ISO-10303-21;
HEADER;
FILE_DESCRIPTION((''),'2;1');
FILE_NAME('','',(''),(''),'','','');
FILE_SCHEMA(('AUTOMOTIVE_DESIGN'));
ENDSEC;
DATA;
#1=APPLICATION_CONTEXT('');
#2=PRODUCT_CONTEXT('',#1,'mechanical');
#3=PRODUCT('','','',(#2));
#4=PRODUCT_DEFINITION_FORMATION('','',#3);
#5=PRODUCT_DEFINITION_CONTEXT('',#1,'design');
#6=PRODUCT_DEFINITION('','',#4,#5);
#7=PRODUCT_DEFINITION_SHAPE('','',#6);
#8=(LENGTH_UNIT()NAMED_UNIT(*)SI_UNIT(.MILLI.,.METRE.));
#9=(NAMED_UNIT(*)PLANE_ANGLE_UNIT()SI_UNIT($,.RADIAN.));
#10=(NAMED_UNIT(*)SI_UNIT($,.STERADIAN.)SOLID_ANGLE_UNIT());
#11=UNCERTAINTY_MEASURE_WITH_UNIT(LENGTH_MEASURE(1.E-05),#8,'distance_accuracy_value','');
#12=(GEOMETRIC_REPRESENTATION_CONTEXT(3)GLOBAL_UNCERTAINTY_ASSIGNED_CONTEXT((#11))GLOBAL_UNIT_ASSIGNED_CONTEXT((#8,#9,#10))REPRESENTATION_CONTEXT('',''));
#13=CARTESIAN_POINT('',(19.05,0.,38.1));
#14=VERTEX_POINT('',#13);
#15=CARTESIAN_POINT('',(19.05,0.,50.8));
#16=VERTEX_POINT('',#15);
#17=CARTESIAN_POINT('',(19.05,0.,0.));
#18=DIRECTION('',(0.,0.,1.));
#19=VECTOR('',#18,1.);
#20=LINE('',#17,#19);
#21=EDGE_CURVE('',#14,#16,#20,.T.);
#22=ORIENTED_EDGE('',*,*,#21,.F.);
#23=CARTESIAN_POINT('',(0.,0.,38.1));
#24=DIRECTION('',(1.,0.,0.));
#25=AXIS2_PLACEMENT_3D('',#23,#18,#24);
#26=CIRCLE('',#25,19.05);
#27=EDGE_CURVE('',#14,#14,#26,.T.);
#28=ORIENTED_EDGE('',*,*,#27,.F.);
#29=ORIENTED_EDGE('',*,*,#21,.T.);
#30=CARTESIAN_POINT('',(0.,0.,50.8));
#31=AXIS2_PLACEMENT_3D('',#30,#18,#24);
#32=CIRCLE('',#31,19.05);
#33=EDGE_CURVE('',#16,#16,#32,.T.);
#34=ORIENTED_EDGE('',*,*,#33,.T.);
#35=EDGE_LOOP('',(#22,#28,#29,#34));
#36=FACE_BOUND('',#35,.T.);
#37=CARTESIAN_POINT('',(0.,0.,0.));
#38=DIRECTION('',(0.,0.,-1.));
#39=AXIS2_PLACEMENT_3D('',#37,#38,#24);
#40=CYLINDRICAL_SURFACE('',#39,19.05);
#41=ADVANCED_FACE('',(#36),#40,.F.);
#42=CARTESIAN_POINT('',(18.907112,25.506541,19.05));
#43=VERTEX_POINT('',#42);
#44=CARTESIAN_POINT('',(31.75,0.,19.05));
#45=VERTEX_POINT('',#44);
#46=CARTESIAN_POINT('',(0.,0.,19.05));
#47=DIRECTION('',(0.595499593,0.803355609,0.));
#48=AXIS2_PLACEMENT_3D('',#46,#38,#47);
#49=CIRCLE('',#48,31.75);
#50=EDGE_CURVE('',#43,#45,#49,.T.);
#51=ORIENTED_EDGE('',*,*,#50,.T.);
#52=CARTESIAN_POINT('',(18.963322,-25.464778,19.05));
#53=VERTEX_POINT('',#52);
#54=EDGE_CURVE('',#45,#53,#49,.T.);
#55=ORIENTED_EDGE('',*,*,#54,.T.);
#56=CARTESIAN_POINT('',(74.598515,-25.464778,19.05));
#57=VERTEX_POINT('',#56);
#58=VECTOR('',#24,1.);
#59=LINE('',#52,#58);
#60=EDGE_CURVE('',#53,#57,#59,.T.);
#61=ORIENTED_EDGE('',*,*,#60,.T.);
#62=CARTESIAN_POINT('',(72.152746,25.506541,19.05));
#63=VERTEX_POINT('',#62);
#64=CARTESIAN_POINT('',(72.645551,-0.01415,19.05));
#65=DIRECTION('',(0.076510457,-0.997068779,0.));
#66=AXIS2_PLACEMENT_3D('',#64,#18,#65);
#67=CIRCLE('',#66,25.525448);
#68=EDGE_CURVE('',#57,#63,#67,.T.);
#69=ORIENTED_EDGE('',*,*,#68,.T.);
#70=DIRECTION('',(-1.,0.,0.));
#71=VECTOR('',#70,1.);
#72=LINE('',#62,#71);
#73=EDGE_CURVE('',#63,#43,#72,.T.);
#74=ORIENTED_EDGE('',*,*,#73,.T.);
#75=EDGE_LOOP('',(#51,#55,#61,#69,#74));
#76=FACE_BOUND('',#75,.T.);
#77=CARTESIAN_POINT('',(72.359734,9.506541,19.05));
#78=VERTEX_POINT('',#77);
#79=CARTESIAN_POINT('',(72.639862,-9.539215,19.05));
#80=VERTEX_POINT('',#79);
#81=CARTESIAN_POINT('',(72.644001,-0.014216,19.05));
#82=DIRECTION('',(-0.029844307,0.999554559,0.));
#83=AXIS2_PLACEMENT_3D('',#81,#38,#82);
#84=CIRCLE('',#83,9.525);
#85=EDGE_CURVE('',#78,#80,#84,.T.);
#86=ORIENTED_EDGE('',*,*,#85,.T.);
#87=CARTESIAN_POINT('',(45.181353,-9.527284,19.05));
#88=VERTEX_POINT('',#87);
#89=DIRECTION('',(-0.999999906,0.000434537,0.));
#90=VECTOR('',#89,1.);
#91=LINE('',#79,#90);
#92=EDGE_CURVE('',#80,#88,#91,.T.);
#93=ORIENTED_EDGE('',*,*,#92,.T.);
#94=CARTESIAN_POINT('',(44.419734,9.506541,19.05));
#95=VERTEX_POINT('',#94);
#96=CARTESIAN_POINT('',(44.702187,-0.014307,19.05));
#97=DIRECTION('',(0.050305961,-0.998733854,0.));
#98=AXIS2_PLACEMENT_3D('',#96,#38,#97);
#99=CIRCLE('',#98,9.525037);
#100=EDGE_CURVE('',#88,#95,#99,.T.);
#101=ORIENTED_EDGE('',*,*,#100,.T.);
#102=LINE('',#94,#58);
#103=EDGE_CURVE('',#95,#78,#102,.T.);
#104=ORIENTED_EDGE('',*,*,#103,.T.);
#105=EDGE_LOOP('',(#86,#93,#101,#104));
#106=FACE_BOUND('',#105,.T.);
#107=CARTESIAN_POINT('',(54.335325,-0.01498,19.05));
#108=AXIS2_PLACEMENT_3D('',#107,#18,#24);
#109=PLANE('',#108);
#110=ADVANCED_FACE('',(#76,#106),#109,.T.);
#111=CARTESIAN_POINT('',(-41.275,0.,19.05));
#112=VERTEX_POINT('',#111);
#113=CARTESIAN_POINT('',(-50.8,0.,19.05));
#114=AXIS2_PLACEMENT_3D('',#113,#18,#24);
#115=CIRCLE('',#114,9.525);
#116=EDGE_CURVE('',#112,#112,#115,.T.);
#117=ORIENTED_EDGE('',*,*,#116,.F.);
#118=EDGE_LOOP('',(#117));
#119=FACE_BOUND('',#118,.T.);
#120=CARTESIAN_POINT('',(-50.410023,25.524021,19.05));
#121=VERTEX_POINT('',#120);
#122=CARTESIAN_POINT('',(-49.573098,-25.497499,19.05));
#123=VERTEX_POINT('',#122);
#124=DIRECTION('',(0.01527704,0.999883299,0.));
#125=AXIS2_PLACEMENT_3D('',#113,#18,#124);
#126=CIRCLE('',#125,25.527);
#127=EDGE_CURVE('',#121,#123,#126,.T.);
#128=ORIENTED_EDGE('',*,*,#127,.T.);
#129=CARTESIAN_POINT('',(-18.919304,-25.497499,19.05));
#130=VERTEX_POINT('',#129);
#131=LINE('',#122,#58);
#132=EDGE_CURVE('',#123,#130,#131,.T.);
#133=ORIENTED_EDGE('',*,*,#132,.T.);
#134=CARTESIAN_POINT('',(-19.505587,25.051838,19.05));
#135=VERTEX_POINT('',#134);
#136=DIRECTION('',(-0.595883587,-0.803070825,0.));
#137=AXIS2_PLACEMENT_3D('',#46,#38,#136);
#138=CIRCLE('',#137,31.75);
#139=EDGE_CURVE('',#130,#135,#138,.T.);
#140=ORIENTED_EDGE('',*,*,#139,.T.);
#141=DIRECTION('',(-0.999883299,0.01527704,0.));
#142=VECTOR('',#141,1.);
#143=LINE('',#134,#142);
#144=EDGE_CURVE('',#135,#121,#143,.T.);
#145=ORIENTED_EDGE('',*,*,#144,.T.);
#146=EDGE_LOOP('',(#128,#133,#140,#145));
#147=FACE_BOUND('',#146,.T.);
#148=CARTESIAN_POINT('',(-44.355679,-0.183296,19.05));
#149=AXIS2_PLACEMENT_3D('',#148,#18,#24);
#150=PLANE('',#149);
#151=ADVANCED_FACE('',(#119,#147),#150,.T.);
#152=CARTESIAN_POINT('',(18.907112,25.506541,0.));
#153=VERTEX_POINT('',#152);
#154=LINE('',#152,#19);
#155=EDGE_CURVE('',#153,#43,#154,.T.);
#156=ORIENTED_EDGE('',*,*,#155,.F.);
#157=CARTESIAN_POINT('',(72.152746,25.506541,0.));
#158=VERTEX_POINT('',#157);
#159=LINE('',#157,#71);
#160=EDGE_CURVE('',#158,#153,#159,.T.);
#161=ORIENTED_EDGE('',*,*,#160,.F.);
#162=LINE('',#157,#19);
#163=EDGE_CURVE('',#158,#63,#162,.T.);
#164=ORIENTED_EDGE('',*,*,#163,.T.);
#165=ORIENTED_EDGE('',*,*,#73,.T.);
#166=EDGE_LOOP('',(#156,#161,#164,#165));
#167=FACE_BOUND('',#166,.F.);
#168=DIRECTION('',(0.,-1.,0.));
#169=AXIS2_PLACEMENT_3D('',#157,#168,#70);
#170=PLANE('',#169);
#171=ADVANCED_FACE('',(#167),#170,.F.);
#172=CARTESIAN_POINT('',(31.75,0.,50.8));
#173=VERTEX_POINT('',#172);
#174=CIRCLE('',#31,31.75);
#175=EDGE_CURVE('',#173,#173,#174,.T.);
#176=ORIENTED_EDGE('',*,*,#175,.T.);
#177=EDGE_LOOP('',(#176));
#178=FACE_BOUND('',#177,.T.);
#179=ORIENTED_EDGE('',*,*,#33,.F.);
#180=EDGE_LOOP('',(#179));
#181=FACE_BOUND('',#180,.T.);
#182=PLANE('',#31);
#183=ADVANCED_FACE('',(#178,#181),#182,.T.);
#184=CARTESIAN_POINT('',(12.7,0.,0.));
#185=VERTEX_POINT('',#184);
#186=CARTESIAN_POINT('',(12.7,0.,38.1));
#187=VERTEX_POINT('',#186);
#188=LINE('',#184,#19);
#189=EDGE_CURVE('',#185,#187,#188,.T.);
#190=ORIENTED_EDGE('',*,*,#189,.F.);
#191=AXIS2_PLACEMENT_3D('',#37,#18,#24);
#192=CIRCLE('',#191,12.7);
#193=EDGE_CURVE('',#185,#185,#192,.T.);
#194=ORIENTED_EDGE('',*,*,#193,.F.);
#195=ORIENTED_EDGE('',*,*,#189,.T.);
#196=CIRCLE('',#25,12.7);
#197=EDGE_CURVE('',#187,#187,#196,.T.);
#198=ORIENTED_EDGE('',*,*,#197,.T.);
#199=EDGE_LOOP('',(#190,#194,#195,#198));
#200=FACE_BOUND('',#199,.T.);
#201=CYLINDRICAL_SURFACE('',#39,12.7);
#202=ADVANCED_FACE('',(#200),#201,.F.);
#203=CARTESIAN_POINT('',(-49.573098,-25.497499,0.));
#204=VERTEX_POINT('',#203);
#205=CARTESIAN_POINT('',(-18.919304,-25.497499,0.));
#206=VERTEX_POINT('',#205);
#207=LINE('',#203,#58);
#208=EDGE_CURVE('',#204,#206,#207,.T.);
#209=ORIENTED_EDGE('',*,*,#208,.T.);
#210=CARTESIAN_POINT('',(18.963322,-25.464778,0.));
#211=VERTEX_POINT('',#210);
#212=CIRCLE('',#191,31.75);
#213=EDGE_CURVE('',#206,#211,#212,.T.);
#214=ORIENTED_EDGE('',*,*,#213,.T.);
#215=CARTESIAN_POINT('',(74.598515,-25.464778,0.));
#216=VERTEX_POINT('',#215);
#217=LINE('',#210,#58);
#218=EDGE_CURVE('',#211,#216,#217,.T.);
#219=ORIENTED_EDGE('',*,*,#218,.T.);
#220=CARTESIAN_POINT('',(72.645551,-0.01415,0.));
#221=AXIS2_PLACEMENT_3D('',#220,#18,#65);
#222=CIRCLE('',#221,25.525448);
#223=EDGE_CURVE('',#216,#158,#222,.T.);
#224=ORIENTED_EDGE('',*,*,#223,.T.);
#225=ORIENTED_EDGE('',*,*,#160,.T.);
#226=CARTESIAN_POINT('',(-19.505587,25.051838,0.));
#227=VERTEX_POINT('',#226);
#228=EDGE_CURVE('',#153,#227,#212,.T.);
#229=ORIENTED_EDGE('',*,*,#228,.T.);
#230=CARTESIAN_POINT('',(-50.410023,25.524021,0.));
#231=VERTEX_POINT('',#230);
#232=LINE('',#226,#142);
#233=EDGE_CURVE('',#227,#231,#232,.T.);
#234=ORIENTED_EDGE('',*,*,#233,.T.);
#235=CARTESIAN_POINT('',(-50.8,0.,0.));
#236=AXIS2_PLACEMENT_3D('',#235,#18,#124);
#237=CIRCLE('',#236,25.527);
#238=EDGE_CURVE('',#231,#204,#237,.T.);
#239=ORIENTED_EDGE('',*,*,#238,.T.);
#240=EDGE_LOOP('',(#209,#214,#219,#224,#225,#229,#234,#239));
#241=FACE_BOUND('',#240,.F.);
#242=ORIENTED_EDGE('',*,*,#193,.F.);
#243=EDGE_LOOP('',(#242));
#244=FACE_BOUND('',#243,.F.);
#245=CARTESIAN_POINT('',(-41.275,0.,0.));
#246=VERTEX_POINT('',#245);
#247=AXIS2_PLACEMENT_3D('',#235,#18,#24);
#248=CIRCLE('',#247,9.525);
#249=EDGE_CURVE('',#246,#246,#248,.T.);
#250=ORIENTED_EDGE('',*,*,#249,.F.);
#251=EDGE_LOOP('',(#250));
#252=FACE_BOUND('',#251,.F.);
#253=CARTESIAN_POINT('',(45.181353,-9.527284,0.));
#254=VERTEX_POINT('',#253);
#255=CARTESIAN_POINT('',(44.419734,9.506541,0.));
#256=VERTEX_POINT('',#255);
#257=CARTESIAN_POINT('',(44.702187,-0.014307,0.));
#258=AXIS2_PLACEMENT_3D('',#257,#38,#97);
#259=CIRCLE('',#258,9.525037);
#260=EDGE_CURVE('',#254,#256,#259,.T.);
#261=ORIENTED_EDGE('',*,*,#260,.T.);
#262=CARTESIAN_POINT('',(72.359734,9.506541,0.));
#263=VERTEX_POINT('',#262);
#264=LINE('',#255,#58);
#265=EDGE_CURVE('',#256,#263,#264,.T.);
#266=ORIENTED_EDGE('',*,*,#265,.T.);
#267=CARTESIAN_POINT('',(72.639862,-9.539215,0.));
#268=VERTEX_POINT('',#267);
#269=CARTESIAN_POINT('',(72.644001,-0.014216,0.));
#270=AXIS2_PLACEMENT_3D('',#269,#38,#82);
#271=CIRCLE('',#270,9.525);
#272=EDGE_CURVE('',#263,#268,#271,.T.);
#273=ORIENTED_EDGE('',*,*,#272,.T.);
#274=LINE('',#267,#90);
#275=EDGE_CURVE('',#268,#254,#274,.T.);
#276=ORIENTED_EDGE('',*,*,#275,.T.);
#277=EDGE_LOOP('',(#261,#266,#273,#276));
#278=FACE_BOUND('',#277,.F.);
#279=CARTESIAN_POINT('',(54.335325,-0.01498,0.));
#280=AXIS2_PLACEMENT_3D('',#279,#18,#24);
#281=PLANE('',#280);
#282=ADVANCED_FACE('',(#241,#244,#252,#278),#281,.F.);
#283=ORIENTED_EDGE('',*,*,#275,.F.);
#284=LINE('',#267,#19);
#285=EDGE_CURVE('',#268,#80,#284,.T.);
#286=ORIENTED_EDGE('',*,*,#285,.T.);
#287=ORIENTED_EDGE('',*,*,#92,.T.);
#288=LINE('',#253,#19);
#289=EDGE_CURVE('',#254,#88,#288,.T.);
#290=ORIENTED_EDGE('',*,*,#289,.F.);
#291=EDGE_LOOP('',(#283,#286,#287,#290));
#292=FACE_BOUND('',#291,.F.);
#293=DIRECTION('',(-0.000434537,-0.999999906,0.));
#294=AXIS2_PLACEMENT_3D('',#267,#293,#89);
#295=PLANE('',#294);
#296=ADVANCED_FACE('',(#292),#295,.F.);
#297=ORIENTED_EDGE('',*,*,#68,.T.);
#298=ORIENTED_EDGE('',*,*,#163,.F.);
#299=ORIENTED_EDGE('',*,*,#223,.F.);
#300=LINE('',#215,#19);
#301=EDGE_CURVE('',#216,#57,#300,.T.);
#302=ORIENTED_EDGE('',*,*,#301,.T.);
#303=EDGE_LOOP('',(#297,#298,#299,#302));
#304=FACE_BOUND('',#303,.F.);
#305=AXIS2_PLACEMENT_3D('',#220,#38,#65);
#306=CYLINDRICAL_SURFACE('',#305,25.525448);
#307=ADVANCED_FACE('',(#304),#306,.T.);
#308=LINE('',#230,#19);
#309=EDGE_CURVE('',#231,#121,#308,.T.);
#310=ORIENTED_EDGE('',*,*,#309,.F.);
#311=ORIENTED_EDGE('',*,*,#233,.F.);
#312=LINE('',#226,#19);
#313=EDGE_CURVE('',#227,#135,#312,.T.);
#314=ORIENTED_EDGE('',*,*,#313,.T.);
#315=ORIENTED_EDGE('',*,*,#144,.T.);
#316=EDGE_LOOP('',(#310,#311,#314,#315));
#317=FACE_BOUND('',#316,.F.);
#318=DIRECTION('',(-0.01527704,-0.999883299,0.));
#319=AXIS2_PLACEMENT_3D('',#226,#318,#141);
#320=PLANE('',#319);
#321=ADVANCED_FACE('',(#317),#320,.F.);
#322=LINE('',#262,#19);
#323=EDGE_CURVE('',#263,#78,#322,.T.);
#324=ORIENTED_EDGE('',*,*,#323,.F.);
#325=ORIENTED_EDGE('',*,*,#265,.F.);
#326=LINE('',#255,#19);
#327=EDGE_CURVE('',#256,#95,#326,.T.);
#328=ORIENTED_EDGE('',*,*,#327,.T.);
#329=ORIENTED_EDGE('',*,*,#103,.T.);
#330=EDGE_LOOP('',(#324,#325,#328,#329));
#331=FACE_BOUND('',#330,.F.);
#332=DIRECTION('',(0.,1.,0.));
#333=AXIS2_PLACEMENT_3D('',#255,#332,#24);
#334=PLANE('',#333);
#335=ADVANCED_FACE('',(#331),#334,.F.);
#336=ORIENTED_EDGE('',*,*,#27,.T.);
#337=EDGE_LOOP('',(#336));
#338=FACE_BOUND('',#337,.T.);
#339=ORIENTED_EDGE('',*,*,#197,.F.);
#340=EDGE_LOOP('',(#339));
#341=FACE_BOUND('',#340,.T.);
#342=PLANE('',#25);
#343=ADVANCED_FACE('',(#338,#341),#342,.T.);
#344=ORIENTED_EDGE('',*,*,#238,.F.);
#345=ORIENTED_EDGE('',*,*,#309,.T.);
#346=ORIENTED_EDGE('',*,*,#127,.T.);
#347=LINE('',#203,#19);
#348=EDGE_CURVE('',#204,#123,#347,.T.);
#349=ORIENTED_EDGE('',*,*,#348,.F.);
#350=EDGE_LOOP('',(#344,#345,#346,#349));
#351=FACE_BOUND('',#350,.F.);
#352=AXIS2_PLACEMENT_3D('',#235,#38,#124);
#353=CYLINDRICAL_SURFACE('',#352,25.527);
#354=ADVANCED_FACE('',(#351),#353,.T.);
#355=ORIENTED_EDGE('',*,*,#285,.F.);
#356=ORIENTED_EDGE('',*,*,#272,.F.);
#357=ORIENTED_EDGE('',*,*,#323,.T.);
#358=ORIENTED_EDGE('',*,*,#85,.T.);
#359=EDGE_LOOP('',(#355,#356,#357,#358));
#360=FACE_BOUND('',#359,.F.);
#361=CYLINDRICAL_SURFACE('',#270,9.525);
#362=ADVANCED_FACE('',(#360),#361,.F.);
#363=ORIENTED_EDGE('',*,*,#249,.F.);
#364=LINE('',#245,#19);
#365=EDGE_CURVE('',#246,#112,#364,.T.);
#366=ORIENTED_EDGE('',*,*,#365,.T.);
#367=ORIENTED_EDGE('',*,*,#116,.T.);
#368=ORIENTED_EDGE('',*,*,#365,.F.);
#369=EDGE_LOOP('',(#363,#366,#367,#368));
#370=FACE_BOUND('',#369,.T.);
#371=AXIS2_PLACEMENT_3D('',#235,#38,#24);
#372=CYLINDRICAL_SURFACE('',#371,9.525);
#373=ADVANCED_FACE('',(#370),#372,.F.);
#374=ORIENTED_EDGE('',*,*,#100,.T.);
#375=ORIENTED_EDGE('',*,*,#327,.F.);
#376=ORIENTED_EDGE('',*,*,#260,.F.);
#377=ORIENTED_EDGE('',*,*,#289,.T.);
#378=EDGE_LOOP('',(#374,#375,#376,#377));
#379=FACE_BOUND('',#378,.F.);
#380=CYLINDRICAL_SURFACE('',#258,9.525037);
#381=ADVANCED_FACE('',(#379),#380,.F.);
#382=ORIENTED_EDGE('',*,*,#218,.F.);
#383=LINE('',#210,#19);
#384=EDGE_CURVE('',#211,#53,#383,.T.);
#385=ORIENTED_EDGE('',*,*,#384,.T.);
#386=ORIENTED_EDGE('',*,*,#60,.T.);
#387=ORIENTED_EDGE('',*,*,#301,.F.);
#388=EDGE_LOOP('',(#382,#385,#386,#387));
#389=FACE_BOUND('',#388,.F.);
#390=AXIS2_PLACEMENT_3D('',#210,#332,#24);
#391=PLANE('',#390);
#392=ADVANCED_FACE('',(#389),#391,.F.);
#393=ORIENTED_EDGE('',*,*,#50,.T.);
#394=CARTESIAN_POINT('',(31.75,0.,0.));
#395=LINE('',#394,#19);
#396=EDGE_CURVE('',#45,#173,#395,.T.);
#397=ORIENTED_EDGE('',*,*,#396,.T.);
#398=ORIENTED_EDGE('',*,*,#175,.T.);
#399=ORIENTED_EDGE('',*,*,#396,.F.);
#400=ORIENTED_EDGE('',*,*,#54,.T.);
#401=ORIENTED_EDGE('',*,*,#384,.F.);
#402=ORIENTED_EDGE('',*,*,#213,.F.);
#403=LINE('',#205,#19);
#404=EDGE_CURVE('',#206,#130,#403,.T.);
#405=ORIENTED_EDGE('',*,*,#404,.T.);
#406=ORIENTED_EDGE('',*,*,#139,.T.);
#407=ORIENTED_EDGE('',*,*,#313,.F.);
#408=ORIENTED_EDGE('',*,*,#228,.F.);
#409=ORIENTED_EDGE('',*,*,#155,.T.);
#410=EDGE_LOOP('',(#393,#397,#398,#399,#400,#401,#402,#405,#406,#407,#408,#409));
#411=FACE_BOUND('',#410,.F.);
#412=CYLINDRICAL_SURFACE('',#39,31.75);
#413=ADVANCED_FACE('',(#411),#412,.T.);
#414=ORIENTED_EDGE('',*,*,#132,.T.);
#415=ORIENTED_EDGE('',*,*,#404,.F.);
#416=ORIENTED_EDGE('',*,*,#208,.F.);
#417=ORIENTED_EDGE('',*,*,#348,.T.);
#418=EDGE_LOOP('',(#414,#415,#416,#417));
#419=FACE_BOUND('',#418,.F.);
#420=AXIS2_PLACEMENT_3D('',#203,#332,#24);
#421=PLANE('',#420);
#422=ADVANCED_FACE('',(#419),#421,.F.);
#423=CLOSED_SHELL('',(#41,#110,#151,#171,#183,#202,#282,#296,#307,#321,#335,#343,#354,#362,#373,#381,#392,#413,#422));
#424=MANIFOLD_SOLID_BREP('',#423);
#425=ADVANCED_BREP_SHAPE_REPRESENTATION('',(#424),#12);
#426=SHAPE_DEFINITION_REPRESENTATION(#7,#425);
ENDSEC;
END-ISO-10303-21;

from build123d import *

# Parameters (mm, degrees)
F1_R     = 31.75
F1_R_2   = 19.05
F4_DEPTH = 50.8
F2_R     = 19.05
F2_R_2   = 12.7
F5_DEPTH = 38.1
F6_DEPTH = 19.05
F3_R     = 9.525
F7_DEPTH = 19.05


with BuildPart() as f4:
    # F1 (on Top) → F4 (new body)
    with BuildSketch(Plane.XY):
        Circle(F1_R)
        Circle(F1_R_2, mode=Mode.SUBTRACT)
    extrude(amount=F4_DEPTH)

    # F2 (on face) → F5 (join)
    with BuildSketch(Plane.XY):
        Circle(F2_R)
        Circle(F2_R_2, mode=Mode.SUBTRACT)
    extrude(amount=F5_DEPTH)

    # F0 (on Top) → F6 (join)
    with BuildSketch(Plane.XY):
        with BuildLine():
            ThreePointArc((18.9071120655, 25.5065405992), (28.3580967986, 14.2786850221), (31.75, 0))
            ThreePointArc((31.75, 0), (28.3738258286, -14.2474035476), (18.9633223402, -25.4647777493))
            Line((18.9633223402, -25.4647777493), (74.598514582, -25.4647777493))
            ThreePointArc((74.598514582, -25.4647777493), (98.1416650574, 1.2092358238), (72.1527459753, 25.5065405992))
            Line((72.1527459753, 25.5065405992), (18.9071120655, 25.5065405992))
        make_face()
        with BuildLine():
            ThreePointArc((45.1813528665, -9.5272837666), (35.1847662251, -0.3951371067), (44.4197335774, 9.5065407864))
            Line((44.4197335774, 9.5065407864), (72.3597335774, 9.5065407864))
            ThreePointArc((72.3597335774, 9.5065407864), (82.1679704992, 0.1258636982), (72.6398616433, -9.5392154931))
            Line((72.6398616433, -9.5392154931), (45.1813528665, -9.5272837666))
        make_face(mode=Mode.SUBTRACT)
    extrude(amount=F6_DEPTH)

    # F3 (on face) → F7 (join)
    with BuildSketch(Plane.XY):
        with BuildLine():
            Line((-49.5730978943, -25.4974987052), (-18.9193038925, -25.4974987052))
            ThreePointArc((-18.9193038925, -25.4974987052), (-31.7478647233, -0.3682193799), (-19.5055872667, 25.0518375649))
            Line((-19.5055872667, 25.0518375649), (-50.4100229924, 25.5240209789))
            ThreePointArc((-50.4100229924, 25.5240209789), (-76.3235664091, -0.41867262), (-49.5730978943, -25.4974987052))
        make_face()
        with Locations((-50.8, 0)):
            Circle(F3_R, mode=Mode.SUBTRACT)
    extrude(amount=F7_DEPTH)


solid = f4.part
